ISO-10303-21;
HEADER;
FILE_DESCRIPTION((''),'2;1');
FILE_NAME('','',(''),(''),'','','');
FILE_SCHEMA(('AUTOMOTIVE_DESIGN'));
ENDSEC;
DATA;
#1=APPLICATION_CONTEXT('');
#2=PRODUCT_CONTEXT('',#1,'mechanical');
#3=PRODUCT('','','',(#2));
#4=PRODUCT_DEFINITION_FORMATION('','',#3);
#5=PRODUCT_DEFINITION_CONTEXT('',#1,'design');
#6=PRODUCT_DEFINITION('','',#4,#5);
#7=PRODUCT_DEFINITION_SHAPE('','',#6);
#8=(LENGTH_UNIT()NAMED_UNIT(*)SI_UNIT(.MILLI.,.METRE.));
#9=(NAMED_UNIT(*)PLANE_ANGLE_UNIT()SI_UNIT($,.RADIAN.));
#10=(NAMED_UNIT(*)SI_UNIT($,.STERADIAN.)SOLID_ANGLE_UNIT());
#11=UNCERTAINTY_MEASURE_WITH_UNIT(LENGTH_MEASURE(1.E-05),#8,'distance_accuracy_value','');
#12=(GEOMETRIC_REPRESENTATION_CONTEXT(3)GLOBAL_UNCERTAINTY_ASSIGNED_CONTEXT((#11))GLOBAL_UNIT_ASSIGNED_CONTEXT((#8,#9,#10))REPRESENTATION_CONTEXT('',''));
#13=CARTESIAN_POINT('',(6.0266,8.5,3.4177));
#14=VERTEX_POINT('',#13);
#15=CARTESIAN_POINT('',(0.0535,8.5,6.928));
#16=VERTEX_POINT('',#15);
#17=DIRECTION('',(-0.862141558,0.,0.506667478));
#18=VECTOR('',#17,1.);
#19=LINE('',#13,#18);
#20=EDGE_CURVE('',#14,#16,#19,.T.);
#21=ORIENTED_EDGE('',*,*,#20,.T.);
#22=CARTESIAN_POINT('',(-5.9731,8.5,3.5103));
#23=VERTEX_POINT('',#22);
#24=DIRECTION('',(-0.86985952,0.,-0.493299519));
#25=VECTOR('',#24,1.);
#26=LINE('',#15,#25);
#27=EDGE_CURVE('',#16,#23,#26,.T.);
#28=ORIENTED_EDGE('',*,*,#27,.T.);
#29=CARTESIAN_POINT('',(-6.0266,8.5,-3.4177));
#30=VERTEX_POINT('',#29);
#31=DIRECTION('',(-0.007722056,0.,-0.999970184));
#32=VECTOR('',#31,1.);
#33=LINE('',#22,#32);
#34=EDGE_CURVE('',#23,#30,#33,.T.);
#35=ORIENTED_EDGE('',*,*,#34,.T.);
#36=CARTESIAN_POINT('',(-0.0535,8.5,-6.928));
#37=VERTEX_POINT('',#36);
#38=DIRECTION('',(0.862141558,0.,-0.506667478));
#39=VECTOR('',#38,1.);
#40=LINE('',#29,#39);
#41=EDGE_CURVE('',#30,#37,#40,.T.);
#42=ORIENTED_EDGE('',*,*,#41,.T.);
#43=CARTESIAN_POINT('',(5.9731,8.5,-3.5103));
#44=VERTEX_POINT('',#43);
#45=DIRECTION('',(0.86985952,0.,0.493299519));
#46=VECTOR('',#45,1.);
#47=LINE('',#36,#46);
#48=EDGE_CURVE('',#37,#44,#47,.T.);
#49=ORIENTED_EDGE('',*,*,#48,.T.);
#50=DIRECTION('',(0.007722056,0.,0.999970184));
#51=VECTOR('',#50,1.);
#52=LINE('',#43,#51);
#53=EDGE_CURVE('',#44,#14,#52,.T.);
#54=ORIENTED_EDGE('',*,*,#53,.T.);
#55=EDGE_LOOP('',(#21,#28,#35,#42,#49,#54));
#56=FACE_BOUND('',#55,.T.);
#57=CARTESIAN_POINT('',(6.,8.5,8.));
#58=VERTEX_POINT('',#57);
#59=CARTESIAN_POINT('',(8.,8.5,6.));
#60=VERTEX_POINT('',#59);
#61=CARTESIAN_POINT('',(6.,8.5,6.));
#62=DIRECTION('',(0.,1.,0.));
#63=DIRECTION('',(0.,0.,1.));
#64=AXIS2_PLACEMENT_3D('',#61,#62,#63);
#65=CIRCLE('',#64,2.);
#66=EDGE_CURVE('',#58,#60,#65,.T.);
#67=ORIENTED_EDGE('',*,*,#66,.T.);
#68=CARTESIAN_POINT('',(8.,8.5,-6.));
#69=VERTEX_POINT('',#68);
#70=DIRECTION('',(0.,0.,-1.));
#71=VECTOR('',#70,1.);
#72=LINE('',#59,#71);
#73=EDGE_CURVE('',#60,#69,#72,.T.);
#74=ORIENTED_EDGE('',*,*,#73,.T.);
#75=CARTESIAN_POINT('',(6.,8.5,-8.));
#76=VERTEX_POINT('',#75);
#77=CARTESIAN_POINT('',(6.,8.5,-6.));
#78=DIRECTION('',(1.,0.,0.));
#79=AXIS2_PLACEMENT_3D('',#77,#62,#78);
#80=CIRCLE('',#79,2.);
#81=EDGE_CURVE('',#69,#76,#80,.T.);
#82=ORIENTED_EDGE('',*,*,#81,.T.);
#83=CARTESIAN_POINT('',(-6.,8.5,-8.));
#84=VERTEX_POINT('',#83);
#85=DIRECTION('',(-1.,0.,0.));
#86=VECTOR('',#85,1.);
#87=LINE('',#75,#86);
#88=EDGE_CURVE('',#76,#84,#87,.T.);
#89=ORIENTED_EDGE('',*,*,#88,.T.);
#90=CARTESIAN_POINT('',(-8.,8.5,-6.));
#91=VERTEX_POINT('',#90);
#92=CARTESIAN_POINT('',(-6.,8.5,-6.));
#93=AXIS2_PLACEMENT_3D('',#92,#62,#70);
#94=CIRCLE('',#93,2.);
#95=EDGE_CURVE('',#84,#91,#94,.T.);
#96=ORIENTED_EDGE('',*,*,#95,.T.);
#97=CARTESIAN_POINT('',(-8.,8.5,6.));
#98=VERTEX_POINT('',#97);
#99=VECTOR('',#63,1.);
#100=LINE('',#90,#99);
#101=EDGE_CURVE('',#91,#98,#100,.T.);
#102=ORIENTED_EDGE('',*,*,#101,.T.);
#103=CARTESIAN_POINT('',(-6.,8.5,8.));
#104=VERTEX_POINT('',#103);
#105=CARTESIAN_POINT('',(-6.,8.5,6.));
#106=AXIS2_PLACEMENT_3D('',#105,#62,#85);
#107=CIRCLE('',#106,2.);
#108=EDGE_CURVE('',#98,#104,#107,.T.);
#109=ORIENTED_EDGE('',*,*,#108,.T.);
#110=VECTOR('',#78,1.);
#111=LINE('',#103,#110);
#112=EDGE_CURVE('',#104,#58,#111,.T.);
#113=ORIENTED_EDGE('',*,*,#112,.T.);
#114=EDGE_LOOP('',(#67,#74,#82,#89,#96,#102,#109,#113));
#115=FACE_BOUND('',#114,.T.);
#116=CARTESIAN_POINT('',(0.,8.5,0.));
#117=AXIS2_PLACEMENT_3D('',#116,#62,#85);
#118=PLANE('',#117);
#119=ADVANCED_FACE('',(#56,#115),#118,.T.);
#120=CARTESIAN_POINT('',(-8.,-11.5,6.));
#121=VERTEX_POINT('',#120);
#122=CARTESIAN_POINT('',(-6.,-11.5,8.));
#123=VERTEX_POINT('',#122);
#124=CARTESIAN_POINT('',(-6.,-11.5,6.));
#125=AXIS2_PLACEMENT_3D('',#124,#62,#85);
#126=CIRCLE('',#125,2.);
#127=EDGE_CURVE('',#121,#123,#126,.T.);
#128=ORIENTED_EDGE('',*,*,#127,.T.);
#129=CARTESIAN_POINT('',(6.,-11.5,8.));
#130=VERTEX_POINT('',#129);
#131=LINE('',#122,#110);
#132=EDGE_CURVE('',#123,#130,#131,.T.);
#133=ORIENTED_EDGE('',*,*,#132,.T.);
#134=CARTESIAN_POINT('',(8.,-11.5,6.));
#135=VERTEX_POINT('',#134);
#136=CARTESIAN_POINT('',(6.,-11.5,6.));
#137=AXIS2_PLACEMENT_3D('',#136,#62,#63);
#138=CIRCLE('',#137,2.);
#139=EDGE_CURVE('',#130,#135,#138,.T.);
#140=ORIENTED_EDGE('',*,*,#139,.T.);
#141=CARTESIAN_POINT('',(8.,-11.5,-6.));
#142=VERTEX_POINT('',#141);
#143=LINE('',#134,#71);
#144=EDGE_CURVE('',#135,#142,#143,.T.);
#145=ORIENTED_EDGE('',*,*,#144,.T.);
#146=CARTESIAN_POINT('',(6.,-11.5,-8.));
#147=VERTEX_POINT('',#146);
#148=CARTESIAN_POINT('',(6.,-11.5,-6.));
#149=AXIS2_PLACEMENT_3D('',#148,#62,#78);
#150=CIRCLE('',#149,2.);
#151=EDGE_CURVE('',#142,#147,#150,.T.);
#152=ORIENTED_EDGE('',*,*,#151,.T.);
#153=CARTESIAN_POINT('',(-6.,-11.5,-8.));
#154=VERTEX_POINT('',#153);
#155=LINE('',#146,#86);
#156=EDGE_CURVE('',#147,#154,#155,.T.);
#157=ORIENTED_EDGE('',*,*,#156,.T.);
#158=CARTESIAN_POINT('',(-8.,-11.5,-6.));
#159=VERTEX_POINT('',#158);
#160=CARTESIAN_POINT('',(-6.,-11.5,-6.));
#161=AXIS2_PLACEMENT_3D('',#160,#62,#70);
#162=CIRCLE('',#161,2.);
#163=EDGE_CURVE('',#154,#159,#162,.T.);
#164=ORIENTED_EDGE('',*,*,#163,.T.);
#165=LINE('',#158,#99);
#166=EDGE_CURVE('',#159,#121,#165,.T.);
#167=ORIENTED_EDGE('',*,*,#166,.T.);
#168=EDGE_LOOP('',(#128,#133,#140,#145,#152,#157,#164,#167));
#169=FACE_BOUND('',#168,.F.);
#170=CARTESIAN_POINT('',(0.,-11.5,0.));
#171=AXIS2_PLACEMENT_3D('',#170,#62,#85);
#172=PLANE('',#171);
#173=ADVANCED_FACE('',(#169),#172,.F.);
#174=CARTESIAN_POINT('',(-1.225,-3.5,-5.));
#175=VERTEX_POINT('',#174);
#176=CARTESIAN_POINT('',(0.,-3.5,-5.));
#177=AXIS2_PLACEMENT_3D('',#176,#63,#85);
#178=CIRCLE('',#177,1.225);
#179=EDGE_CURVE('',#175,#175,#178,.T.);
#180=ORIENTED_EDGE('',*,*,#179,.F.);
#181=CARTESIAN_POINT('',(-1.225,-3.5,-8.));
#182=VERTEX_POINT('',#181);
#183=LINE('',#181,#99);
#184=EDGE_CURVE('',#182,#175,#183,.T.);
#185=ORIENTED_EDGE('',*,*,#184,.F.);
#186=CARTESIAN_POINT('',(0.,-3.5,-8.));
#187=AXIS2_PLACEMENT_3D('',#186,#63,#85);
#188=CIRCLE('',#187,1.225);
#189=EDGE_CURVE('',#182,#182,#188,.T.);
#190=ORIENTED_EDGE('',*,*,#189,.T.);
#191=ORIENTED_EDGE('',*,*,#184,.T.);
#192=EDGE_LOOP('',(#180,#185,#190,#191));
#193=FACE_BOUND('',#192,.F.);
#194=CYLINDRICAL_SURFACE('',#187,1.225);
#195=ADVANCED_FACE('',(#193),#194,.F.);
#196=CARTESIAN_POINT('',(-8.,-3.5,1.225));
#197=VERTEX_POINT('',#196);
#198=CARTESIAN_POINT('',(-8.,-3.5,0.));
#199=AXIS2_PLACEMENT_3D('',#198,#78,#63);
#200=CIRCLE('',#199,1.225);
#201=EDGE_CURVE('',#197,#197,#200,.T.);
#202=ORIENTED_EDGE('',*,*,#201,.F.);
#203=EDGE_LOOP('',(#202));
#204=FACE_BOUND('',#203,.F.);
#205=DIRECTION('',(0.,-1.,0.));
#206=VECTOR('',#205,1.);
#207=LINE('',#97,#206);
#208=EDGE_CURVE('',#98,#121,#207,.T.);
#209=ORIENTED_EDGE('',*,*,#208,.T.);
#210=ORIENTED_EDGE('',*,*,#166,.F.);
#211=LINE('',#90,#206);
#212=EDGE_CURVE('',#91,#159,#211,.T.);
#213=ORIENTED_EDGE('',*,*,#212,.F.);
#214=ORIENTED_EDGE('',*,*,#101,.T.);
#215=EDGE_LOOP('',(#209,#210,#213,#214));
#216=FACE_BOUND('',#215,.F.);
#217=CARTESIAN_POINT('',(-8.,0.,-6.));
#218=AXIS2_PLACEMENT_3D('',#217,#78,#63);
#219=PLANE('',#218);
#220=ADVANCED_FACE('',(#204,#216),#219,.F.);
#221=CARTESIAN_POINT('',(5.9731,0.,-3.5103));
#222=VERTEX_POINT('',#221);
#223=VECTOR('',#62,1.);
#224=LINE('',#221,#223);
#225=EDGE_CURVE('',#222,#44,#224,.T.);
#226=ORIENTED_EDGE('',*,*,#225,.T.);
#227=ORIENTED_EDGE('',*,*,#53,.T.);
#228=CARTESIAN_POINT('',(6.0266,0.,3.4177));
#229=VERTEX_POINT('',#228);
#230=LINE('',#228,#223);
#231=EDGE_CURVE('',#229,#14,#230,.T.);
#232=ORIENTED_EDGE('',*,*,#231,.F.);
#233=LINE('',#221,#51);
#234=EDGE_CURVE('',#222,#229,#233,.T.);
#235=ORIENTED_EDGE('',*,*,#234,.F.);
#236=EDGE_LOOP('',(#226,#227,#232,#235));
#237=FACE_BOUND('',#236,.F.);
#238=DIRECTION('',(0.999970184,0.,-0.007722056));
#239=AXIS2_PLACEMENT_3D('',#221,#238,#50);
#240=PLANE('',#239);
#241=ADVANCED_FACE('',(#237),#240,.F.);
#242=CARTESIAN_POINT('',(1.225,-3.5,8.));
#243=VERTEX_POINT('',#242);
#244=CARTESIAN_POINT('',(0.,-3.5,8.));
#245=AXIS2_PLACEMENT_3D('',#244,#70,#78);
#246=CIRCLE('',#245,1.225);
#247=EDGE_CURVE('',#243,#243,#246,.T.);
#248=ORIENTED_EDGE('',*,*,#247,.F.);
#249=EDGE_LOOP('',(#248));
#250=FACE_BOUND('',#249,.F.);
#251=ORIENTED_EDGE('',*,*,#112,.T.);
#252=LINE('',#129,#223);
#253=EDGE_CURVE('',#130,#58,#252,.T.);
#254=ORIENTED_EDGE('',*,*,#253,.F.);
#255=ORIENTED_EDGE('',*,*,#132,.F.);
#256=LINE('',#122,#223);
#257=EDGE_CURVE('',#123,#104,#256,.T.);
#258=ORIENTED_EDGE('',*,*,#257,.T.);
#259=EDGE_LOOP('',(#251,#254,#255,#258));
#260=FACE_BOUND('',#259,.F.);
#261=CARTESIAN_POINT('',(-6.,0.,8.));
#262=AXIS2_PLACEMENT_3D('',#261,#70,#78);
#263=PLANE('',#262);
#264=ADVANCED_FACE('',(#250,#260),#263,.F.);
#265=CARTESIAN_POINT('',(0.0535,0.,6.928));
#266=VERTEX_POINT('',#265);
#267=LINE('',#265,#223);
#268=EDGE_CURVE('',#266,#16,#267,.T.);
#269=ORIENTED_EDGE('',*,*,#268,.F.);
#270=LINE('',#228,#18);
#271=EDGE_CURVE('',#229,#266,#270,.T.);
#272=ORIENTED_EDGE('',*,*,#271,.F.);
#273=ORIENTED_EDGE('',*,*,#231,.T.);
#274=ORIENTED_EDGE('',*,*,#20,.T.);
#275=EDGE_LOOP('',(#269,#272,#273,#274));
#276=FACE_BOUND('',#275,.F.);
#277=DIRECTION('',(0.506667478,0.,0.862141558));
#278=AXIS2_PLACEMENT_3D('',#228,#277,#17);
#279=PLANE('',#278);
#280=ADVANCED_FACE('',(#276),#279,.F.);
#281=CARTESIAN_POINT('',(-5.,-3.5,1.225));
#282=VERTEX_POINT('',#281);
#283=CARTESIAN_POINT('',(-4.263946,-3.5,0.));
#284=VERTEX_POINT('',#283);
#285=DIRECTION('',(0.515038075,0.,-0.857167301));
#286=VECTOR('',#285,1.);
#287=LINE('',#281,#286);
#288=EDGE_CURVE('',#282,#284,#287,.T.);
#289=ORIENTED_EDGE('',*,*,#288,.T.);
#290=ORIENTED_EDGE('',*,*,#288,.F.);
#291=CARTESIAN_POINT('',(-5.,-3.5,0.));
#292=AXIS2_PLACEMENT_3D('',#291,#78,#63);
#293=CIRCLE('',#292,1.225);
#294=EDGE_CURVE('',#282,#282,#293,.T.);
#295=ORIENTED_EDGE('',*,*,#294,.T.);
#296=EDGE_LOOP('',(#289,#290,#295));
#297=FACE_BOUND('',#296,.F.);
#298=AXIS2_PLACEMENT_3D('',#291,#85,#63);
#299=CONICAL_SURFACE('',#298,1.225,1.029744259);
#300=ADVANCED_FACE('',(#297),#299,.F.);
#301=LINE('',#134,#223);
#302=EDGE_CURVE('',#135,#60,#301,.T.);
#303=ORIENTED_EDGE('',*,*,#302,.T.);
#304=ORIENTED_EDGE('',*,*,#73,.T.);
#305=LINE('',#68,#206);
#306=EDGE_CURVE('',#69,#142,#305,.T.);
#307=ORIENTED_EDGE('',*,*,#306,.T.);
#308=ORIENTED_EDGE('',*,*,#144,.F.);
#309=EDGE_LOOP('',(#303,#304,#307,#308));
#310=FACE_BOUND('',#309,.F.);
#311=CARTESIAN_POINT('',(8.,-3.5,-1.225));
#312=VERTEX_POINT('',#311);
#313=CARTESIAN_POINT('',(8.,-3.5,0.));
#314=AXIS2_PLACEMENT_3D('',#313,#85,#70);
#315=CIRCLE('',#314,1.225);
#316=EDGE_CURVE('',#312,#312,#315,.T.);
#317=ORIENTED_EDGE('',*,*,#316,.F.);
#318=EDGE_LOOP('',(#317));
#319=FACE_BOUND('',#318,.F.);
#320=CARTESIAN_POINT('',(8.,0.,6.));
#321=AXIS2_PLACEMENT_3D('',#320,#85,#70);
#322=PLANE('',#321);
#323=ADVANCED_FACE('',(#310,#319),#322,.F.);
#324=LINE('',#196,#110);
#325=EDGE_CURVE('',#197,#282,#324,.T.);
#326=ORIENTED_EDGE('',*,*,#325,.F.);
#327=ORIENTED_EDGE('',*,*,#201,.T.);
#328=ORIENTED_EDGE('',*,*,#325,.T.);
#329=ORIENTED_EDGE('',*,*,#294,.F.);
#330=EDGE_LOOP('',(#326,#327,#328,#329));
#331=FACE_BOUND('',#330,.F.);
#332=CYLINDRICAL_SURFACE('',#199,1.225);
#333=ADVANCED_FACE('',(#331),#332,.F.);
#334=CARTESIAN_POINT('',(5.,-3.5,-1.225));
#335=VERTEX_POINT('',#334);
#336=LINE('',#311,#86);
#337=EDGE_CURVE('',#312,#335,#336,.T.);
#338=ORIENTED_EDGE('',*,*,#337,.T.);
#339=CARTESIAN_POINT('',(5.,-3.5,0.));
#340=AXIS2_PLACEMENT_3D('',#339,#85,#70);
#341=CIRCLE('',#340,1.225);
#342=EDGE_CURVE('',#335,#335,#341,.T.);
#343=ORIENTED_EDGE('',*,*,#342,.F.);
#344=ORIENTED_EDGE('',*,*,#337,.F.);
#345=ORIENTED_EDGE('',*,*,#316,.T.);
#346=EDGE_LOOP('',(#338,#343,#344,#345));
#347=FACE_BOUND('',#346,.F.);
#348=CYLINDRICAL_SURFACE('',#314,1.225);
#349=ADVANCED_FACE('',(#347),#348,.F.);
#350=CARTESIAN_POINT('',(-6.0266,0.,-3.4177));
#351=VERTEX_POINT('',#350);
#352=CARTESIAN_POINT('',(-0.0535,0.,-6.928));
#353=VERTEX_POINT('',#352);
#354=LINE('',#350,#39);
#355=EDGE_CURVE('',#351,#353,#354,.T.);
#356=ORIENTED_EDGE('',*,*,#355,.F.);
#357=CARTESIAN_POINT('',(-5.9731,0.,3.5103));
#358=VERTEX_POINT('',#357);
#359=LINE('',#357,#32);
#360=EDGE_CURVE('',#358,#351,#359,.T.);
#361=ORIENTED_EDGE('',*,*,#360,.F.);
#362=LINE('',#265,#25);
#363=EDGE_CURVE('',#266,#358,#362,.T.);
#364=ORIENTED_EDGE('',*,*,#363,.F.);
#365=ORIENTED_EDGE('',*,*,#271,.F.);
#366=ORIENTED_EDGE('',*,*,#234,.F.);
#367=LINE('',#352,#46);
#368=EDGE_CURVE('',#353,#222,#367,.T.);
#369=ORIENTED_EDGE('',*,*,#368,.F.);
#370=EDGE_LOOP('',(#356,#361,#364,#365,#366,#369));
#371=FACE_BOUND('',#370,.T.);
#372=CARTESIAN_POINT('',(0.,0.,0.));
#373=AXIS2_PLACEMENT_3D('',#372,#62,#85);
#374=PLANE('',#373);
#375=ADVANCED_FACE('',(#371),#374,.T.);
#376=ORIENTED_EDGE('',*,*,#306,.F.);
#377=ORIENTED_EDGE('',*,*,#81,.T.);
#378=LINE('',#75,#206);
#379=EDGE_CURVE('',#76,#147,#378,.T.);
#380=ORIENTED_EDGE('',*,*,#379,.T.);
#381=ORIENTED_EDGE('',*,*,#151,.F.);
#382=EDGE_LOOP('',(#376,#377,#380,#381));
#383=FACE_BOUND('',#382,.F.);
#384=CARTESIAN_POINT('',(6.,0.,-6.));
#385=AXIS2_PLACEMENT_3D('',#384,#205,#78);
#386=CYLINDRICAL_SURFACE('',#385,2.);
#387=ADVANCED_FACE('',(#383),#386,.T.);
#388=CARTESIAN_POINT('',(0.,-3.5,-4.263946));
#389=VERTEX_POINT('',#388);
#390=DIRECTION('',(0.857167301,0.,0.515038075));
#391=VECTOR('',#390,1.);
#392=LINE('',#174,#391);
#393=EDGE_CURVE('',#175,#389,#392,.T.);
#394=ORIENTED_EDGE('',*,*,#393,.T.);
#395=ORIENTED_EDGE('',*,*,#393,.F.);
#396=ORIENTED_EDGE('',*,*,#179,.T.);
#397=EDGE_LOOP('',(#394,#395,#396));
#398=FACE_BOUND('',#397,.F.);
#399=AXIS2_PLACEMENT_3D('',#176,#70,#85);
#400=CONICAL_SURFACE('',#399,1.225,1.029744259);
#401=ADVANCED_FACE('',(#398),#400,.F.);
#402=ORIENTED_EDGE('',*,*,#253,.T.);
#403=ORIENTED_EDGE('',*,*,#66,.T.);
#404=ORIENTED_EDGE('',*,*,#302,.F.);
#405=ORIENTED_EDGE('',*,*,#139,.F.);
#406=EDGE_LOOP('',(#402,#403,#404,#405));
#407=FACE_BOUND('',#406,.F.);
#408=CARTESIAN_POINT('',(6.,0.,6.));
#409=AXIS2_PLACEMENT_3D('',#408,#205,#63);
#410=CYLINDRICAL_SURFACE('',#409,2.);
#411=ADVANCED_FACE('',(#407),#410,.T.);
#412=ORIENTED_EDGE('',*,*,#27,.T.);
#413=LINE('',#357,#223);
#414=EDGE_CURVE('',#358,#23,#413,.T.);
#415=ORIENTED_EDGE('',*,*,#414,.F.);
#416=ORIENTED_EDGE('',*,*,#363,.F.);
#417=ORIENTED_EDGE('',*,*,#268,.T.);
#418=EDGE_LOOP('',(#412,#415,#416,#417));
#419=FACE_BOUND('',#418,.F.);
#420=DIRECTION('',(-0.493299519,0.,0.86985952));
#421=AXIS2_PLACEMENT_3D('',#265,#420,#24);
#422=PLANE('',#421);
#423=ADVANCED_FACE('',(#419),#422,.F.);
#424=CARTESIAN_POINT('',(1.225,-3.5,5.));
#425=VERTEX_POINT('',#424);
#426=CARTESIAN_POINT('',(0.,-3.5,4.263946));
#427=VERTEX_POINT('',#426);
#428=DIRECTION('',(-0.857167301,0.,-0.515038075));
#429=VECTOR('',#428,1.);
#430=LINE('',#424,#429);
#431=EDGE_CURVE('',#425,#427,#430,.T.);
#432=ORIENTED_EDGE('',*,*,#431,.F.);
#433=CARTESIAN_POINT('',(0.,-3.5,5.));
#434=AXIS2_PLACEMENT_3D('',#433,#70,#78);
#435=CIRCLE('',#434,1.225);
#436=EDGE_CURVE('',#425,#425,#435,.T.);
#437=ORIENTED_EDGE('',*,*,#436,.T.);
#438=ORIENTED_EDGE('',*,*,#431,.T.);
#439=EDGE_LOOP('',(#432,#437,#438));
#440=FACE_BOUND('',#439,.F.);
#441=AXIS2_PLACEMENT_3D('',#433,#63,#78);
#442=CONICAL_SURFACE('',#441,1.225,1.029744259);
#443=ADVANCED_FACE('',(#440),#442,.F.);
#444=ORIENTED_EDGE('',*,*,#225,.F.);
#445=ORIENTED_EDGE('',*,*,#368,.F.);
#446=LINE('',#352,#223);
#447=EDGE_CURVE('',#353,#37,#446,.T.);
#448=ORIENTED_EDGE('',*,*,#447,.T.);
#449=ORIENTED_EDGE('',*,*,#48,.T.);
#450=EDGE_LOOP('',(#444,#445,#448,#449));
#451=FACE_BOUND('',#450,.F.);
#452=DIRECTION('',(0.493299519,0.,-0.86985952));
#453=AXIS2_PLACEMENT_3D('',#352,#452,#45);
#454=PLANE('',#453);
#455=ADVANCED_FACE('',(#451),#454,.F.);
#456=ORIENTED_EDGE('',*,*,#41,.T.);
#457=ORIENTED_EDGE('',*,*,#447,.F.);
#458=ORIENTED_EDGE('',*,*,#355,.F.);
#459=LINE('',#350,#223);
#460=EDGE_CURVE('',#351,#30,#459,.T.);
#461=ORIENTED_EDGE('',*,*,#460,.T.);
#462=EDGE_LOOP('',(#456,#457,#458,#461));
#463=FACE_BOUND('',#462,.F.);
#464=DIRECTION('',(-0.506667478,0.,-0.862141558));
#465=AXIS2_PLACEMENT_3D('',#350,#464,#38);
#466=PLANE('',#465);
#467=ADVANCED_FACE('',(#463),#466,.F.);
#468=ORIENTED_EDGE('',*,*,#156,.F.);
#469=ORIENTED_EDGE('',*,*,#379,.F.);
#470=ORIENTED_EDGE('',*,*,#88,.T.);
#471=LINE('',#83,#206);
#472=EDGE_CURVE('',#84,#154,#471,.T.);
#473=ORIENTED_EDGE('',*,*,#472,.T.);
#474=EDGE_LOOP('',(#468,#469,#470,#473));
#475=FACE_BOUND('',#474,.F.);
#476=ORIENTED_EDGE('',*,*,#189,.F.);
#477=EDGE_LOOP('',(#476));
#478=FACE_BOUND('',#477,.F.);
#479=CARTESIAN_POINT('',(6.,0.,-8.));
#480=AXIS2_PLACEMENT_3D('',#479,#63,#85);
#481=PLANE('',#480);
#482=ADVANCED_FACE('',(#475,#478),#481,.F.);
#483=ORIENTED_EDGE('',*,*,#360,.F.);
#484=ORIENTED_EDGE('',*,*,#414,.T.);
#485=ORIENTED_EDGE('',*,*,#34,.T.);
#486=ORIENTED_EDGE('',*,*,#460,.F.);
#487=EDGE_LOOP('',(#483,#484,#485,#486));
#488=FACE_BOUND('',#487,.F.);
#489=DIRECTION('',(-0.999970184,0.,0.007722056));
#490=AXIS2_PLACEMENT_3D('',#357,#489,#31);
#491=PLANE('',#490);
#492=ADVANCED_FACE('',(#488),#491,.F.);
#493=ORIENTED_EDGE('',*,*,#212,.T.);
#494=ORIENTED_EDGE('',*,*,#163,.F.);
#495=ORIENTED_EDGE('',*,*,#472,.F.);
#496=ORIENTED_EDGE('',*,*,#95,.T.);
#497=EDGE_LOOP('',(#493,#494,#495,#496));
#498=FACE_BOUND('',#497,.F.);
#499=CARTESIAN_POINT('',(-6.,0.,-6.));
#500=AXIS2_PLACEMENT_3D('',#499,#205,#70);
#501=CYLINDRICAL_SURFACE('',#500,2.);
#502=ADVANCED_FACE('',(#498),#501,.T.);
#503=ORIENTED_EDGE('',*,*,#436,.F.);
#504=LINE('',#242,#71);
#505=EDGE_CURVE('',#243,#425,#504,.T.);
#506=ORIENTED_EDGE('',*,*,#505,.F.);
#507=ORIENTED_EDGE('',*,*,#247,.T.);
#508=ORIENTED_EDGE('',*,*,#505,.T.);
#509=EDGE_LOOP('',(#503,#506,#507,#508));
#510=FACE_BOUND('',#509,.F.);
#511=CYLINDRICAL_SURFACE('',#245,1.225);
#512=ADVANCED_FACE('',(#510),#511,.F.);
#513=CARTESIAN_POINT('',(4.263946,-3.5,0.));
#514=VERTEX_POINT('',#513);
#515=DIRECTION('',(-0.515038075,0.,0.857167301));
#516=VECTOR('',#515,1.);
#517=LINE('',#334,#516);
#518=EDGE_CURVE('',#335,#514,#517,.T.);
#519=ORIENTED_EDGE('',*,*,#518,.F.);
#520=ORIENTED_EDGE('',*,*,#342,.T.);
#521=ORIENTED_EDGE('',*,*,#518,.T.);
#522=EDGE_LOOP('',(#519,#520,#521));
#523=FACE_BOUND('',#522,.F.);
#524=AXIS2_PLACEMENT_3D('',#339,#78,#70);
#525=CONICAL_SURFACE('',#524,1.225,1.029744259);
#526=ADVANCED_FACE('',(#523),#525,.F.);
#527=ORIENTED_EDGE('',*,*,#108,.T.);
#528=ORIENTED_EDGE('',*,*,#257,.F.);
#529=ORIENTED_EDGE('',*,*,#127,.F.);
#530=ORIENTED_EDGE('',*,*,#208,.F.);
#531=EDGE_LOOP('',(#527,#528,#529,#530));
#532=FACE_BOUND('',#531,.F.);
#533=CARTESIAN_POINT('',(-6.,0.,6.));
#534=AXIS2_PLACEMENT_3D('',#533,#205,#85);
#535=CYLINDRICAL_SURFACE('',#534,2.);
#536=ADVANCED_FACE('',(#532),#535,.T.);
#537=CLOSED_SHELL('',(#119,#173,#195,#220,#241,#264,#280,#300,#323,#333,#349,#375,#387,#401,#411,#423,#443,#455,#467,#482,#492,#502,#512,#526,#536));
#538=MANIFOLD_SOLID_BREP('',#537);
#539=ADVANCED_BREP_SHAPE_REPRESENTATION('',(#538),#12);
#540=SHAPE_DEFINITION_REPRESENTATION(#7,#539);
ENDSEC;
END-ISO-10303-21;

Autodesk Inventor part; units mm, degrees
ref_plane "YZ Plane" through (0, 0, 0) normal (1, 0, 0) x (0, 1, 0)
ref_plane "XZ Plane" through (0, 0, 0) normal (0, 1, 0) x (-1, 0, 0)
ref_plane "XY Plane" through (0, 0, 0) normal (0, 0, 1) x (1, 0, 0)
sketch "Sketch1" plane through (0, 0, 0) normal (0, 1, 0) x (-1, 0, 0)
  line L0 (0.0535, -6.928) -> (-5.9731, -3.5103)
  line L1 (-5.9731, -3.5103) -> (-6.0266, 3.4177)
  line L2 (-6.0266, 3.4177) -> (-0.0535, 6.928)
  line L3 (-0.0535, 6.928) -> (5.9731, 3.5103)
  line L4 (5.9731, 3.5103) -> (6.0266, -3.4177)
  line L5 (6.0266, -3.4177) -> (0.0535, -6.928)
  line L6 (6, 8) -> (-6, 8)
  line L7 (-8, 6) -> (-8, -6)
  line L8 (-6, -8) -> (6, -8)
  line L9 (8, -6) -> (8, 6)
  line L10 (8, 8) -> (-8, -8) construction
  line L11 (-8, 8) -> (8, -8) construction
  arc A0 (8, 6) -> (6, 8) centre (6, 6) ccw
  arc A1 (-6, 8) -> (-8, 6) centre (-6, 6) ccw
  arc A2 (-8, -6) -> (-6, -8) centre (-6, -6) ccw
  arc A3 (6, -8) -> (8, -6) centre (6, -6) ccw
  point P0 (0, 0)
  point P1 (0, 0)
  dimension "d0" = 12
  dimension "d1" = 16
  dimension "d2" = 16
  dimension "d7" = 2
extrude "Extrusion1" add sketch "Sketch1" along normal blind 8.5
extrude "Extrusion2" add sketch "Sketch1" against normal blind 11.5 contours L0 L1 L2 L3 L4 L5 | A0 L9 A3 L8 A2 L7 A1 L6
sketch "Sketch2" plane through (8, 8.5, 6) normal (1, 0, 0) x (0, 0, -1)
  line L0 (12, -20) -> (12, 0) projected
  line L1 (0, 0) -> (12, 0) projected
  line L2 (0, -20) -> (0, 0) projected
  line L3 (12, -20) -> (0, -20) projected
  point P0 (6, -8.5)
  point P1 (6, -12)
  point P2 (6, -20)
  dimension "d8" = 12
hole "Hole1" at (8, -3.5, 0) direction (-1, 0, 0) diameter 2.45 depth 3 tip angle 118
pattern_circular "Circular Pattern1" count 4 over 360 about axis through (0, -10, 0) along (0, 1, 0) of "Hole1"
properties part number "couplingload"
